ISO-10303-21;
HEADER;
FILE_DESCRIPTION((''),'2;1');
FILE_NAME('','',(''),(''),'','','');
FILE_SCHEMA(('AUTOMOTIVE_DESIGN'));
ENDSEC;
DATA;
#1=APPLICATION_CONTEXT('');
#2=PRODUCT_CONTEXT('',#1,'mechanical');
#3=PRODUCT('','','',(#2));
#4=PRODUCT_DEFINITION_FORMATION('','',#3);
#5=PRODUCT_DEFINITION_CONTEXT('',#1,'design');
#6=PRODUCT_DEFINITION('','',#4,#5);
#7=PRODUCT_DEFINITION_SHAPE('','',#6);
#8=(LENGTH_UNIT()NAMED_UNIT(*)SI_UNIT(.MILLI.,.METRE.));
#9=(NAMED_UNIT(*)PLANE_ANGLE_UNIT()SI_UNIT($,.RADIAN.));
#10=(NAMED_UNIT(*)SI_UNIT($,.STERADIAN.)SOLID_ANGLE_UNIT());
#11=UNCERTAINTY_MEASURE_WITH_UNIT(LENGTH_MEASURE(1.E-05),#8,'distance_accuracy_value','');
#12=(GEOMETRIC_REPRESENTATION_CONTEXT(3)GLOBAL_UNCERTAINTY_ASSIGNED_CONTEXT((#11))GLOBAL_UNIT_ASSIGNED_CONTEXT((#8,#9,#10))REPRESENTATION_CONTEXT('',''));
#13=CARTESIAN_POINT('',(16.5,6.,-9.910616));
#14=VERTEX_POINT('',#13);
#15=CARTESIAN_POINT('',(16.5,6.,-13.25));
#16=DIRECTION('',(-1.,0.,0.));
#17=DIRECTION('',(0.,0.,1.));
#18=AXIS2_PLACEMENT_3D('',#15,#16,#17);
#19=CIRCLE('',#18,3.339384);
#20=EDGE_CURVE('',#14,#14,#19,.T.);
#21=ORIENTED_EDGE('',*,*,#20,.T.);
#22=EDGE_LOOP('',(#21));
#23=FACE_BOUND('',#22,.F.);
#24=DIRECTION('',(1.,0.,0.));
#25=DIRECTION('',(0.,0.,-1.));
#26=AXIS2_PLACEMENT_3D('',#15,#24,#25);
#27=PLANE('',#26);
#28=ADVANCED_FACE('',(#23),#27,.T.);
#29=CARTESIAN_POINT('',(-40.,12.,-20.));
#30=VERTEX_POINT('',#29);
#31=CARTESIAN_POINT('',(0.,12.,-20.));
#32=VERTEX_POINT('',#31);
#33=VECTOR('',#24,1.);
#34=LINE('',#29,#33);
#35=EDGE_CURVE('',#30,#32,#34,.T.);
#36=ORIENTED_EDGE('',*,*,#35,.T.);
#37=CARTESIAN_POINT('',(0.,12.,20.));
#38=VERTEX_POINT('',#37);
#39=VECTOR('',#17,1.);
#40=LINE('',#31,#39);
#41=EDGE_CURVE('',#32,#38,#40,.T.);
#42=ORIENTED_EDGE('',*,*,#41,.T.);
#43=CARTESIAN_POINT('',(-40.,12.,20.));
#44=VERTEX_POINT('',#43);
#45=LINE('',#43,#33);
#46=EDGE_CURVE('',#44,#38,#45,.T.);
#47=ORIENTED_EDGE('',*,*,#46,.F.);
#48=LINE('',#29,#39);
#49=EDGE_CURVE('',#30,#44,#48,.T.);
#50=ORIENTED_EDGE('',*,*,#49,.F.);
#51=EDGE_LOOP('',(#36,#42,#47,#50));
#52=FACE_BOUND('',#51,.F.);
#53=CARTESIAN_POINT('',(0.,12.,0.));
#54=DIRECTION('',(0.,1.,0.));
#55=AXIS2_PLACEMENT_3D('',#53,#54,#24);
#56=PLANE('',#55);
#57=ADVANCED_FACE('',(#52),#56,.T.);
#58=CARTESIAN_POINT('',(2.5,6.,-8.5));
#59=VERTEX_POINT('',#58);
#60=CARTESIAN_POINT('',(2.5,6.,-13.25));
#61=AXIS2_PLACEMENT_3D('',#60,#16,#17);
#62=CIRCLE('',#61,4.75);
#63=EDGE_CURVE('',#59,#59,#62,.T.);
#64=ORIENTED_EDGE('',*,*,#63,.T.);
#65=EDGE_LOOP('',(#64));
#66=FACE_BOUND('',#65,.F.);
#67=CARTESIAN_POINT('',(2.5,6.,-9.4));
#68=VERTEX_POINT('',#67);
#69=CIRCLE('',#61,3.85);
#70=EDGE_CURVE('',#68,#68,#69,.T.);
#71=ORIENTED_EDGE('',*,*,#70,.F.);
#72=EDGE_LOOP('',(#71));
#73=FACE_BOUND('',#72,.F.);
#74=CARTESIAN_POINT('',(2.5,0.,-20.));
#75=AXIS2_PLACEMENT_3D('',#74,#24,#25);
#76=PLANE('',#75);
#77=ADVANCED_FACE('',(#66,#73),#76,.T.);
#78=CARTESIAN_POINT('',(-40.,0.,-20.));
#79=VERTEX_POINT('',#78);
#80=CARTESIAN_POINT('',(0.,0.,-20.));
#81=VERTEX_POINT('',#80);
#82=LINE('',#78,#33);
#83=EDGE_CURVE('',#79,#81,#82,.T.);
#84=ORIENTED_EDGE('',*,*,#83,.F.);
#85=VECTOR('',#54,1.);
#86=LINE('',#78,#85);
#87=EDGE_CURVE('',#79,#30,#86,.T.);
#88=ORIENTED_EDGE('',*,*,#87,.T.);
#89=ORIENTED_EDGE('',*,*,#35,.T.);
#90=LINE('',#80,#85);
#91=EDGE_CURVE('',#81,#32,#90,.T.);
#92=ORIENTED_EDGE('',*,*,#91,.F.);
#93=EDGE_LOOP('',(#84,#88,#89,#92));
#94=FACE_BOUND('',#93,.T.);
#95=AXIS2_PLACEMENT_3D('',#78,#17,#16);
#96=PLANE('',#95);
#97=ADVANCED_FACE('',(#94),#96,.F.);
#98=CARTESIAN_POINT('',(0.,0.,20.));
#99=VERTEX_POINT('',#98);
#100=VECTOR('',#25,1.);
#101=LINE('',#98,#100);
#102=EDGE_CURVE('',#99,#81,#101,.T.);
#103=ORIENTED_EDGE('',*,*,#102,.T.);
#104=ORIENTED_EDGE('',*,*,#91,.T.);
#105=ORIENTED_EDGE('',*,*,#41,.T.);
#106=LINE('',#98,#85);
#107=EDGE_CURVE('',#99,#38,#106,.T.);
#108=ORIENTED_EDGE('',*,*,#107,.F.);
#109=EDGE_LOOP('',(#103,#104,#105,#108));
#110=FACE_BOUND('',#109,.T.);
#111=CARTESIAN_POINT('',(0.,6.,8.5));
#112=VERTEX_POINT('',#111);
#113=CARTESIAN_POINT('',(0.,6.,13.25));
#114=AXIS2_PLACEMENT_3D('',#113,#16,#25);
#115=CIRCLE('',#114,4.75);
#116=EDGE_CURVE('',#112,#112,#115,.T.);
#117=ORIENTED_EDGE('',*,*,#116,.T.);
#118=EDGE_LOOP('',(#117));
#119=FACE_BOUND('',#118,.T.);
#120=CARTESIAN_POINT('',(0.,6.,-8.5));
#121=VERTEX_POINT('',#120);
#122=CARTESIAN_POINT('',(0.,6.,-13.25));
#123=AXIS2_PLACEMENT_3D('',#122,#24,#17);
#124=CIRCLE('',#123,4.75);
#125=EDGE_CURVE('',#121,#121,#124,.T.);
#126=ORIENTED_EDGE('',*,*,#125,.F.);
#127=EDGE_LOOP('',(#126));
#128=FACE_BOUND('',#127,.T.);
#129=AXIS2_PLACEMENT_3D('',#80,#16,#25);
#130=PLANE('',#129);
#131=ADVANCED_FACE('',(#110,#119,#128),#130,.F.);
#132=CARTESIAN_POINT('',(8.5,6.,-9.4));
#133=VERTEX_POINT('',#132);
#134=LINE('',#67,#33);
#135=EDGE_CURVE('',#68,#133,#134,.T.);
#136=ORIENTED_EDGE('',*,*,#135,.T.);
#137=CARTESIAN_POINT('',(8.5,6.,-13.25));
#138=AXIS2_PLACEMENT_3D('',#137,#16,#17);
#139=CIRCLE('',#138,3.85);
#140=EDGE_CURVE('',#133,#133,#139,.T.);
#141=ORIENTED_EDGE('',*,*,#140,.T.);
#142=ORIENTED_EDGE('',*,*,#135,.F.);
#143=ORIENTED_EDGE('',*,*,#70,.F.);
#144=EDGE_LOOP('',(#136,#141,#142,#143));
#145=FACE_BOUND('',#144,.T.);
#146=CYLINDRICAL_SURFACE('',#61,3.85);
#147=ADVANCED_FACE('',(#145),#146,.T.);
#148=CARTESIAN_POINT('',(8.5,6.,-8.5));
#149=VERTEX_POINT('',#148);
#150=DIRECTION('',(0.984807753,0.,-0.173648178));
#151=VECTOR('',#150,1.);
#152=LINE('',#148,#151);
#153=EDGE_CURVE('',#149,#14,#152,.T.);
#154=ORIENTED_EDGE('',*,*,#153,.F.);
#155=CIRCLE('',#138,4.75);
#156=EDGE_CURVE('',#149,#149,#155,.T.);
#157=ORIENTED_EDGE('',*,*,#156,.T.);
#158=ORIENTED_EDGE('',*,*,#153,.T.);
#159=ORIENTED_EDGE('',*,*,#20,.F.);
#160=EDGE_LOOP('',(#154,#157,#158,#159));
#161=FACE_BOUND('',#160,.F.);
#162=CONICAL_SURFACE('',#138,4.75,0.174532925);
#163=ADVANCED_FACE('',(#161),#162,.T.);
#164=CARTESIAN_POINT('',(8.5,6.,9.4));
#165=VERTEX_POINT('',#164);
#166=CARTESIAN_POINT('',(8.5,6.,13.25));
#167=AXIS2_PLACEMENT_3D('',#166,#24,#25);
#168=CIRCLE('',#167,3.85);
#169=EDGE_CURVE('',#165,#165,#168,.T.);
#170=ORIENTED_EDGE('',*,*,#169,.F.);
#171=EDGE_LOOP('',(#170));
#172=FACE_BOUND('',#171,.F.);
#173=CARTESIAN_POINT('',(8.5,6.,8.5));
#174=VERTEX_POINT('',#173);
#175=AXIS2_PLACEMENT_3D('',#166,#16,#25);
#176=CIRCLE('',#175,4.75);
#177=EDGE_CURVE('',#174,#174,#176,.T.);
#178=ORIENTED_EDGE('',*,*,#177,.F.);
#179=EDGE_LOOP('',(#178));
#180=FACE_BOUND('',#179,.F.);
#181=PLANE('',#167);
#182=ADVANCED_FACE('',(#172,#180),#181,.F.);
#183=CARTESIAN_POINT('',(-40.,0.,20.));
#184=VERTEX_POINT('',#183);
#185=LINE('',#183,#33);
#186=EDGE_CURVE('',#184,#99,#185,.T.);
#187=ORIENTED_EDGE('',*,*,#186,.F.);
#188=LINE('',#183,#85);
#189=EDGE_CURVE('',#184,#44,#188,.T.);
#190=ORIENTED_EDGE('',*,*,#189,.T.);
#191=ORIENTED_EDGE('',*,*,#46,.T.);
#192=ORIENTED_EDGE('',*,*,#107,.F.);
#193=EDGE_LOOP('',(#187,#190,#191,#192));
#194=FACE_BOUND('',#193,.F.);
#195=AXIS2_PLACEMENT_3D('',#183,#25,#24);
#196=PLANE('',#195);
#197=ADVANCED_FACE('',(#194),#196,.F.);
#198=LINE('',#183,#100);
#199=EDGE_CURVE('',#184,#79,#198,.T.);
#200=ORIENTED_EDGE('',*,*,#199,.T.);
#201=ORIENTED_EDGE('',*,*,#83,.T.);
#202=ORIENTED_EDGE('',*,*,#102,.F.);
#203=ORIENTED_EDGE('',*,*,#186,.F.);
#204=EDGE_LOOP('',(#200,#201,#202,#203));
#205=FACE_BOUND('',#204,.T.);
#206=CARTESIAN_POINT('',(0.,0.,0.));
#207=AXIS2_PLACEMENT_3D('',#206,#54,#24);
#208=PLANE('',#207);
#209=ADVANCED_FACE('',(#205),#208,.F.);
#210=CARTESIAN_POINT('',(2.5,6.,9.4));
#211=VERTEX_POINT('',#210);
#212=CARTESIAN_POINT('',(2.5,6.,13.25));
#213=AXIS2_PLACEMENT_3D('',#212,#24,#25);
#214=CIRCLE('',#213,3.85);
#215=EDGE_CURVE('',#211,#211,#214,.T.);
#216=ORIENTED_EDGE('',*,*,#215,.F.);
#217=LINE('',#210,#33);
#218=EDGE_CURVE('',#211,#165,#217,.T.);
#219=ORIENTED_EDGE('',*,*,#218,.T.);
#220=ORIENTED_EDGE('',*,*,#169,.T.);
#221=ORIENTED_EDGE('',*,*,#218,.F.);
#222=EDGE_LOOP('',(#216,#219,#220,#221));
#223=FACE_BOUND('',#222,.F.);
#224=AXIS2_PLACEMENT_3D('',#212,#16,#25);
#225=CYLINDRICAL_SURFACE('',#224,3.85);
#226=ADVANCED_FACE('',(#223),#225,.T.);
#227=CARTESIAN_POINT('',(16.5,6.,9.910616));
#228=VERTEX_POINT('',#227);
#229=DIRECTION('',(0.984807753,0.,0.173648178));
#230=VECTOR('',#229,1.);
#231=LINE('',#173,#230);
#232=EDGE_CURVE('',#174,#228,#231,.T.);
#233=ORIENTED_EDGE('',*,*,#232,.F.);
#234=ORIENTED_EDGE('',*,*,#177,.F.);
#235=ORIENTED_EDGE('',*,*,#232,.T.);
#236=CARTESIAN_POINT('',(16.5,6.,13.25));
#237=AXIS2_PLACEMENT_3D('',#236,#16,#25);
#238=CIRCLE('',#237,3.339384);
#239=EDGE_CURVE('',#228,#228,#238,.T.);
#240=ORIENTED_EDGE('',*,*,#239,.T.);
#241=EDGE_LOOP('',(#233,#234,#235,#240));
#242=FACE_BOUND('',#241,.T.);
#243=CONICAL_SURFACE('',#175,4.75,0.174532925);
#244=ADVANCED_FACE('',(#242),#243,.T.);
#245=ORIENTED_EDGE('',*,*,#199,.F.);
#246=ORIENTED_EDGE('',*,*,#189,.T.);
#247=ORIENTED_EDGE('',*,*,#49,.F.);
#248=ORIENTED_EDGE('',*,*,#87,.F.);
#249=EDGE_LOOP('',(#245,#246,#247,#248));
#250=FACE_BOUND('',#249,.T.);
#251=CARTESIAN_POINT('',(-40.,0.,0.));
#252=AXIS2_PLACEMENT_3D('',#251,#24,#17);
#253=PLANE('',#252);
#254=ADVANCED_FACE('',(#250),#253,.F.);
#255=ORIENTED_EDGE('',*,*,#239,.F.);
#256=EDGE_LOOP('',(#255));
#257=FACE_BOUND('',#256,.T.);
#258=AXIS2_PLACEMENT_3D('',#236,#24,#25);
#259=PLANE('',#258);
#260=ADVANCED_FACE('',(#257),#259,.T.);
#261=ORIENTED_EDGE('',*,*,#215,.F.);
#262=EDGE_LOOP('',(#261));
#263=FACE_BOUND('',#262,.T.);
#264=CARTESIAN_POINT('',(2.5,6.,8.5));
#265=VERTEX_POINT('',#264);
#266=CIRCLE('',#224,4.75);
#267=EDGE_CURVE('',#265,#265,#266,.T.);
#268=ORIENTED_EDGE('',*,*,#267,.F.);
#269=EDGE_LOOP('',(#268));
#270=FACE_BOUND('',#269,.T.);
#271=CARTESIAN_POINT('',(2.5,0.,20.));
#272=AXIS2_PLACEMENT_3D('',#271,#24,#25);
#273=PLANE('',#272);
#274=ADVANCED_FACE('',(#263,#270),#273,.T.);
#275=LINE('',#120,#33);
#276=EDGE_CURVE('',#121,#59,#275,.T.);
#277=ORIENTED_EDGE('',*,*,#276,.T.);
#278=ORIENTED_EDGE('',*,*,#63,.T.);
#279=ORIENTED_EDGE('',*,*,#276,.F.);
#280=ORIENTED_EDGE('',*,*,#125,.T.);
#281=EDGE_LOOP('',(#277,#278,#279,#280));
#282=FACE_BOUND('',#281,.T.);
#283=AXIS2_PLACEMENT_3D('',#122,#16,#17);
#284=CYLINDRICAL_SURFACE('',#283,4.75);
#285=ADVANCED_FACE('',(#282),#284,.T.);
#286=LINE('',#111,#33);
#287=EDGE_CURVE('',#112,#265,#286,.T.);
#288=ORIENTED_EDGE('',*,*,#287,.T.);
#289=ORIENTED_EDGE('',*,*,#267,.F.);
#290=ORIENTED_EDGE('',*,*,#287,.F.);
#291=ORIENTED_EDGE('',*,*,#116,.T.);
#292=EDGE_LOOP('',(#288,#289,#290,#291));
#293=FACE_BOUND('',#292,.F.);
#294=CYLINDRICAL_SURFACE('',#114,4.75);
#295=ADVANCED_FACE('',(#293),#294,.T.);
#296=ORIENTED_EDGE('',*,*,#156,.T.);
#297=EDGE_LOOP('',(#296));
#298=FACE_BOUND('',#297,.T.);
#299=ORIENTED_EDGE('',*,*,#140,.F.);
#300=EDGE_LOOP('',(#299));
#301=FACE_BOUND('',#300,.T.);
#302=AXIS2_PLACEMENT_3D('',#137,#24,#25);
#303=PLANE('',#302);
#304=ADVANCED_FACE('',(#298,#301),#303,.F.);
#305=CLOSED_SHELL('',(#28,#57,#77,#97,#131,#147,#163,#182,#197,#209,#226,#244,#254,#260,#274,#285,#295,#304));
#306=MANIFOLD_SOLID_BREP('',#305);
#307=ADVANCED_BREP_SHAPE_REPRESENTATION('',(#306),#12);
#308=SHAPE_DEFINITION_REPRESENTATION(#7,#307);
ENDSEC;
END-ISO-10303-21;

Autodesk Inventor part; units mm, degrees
ref_plane "YZ Plane" through (0, 0, 0) normal (1, 0, 0) x (0, 1, 0)
ref_plane "XZ Plane" through (0, 0, 0) normal (0, 1, 0) x (-1, 0, 0)
ref_plane "XY Plane" through (0, 0, 0) normal (0, 0, 1) x (1, 0, 0)
sketch "Szkic1" plane through (0, 0, 0) normal (0, 1, 0) x (-1, 0, 0)
  line L0 (0, 0) -> (40, 0)
  line L1 (40, 0) -> (40, 20)
  line L2 (40, 20) -> (0, 20)
  line L3 (0, 20) -> (0, 0)
  dimension "d0" = 40
  dimension "d1" = 20
extrude "Wyciągnięcie proste1" add sketch "Szkic1" along normal blind 12
sketch "Szkic2" plane through (0, 12, 0) normal (0, 1, 0) x (1, 0, 0)
  point P0 (0, 0)
sketch "Szkic3" plane through (0, 0, 20) normal (1, 0, 0) x (0, 0, -1)
  line L0 (0, 0) -> (0, 12) projected
  line L1 (0, 6) -> (6.75, 6)
  circle A0 centre (6.75, 6) radius 4.75
  point P0 (20, 0)
  dimension "d4" = 6.75
  dimension "d5" = 9.5
extrude "Wyciągnięcie proste2" add sketch "Szkic3" along normal blind 2.5
sketch "Szkic4" plane through (2.5, 6, 13.25) normal (1, 0, 0) x (0, 0, -1)
  circle A0 centre (0, 0) radius 3.85
  point P0 (13.25, -6)
  dimension "d8" = 7.7
extrude "Wyciągnięcie proste3" add sketch "Szkic4" along normal blind 6
sketch "Szkic5" plane through (8.5, 6, 13.25) normal (1, 0, 0) x (0, 0, -1)
  circle A0 centre (0, 0) radius 4.75
  point P0 (13.25, -6)
extrude "Wyciągnięcie proste4" add sketch "Szkic5" along normal blind 8 draft -10
mirror "Odbij1" about plane through (0, 0, 0) normal (0, 0, 1) of "Wyciągnięcie proste4", "Wyciągnięcie proste3", "Wyciągnięcie proste2", "Wyciągnięcie proste1"
properties part number "blokwodny" material "Żywica fenolowa"
